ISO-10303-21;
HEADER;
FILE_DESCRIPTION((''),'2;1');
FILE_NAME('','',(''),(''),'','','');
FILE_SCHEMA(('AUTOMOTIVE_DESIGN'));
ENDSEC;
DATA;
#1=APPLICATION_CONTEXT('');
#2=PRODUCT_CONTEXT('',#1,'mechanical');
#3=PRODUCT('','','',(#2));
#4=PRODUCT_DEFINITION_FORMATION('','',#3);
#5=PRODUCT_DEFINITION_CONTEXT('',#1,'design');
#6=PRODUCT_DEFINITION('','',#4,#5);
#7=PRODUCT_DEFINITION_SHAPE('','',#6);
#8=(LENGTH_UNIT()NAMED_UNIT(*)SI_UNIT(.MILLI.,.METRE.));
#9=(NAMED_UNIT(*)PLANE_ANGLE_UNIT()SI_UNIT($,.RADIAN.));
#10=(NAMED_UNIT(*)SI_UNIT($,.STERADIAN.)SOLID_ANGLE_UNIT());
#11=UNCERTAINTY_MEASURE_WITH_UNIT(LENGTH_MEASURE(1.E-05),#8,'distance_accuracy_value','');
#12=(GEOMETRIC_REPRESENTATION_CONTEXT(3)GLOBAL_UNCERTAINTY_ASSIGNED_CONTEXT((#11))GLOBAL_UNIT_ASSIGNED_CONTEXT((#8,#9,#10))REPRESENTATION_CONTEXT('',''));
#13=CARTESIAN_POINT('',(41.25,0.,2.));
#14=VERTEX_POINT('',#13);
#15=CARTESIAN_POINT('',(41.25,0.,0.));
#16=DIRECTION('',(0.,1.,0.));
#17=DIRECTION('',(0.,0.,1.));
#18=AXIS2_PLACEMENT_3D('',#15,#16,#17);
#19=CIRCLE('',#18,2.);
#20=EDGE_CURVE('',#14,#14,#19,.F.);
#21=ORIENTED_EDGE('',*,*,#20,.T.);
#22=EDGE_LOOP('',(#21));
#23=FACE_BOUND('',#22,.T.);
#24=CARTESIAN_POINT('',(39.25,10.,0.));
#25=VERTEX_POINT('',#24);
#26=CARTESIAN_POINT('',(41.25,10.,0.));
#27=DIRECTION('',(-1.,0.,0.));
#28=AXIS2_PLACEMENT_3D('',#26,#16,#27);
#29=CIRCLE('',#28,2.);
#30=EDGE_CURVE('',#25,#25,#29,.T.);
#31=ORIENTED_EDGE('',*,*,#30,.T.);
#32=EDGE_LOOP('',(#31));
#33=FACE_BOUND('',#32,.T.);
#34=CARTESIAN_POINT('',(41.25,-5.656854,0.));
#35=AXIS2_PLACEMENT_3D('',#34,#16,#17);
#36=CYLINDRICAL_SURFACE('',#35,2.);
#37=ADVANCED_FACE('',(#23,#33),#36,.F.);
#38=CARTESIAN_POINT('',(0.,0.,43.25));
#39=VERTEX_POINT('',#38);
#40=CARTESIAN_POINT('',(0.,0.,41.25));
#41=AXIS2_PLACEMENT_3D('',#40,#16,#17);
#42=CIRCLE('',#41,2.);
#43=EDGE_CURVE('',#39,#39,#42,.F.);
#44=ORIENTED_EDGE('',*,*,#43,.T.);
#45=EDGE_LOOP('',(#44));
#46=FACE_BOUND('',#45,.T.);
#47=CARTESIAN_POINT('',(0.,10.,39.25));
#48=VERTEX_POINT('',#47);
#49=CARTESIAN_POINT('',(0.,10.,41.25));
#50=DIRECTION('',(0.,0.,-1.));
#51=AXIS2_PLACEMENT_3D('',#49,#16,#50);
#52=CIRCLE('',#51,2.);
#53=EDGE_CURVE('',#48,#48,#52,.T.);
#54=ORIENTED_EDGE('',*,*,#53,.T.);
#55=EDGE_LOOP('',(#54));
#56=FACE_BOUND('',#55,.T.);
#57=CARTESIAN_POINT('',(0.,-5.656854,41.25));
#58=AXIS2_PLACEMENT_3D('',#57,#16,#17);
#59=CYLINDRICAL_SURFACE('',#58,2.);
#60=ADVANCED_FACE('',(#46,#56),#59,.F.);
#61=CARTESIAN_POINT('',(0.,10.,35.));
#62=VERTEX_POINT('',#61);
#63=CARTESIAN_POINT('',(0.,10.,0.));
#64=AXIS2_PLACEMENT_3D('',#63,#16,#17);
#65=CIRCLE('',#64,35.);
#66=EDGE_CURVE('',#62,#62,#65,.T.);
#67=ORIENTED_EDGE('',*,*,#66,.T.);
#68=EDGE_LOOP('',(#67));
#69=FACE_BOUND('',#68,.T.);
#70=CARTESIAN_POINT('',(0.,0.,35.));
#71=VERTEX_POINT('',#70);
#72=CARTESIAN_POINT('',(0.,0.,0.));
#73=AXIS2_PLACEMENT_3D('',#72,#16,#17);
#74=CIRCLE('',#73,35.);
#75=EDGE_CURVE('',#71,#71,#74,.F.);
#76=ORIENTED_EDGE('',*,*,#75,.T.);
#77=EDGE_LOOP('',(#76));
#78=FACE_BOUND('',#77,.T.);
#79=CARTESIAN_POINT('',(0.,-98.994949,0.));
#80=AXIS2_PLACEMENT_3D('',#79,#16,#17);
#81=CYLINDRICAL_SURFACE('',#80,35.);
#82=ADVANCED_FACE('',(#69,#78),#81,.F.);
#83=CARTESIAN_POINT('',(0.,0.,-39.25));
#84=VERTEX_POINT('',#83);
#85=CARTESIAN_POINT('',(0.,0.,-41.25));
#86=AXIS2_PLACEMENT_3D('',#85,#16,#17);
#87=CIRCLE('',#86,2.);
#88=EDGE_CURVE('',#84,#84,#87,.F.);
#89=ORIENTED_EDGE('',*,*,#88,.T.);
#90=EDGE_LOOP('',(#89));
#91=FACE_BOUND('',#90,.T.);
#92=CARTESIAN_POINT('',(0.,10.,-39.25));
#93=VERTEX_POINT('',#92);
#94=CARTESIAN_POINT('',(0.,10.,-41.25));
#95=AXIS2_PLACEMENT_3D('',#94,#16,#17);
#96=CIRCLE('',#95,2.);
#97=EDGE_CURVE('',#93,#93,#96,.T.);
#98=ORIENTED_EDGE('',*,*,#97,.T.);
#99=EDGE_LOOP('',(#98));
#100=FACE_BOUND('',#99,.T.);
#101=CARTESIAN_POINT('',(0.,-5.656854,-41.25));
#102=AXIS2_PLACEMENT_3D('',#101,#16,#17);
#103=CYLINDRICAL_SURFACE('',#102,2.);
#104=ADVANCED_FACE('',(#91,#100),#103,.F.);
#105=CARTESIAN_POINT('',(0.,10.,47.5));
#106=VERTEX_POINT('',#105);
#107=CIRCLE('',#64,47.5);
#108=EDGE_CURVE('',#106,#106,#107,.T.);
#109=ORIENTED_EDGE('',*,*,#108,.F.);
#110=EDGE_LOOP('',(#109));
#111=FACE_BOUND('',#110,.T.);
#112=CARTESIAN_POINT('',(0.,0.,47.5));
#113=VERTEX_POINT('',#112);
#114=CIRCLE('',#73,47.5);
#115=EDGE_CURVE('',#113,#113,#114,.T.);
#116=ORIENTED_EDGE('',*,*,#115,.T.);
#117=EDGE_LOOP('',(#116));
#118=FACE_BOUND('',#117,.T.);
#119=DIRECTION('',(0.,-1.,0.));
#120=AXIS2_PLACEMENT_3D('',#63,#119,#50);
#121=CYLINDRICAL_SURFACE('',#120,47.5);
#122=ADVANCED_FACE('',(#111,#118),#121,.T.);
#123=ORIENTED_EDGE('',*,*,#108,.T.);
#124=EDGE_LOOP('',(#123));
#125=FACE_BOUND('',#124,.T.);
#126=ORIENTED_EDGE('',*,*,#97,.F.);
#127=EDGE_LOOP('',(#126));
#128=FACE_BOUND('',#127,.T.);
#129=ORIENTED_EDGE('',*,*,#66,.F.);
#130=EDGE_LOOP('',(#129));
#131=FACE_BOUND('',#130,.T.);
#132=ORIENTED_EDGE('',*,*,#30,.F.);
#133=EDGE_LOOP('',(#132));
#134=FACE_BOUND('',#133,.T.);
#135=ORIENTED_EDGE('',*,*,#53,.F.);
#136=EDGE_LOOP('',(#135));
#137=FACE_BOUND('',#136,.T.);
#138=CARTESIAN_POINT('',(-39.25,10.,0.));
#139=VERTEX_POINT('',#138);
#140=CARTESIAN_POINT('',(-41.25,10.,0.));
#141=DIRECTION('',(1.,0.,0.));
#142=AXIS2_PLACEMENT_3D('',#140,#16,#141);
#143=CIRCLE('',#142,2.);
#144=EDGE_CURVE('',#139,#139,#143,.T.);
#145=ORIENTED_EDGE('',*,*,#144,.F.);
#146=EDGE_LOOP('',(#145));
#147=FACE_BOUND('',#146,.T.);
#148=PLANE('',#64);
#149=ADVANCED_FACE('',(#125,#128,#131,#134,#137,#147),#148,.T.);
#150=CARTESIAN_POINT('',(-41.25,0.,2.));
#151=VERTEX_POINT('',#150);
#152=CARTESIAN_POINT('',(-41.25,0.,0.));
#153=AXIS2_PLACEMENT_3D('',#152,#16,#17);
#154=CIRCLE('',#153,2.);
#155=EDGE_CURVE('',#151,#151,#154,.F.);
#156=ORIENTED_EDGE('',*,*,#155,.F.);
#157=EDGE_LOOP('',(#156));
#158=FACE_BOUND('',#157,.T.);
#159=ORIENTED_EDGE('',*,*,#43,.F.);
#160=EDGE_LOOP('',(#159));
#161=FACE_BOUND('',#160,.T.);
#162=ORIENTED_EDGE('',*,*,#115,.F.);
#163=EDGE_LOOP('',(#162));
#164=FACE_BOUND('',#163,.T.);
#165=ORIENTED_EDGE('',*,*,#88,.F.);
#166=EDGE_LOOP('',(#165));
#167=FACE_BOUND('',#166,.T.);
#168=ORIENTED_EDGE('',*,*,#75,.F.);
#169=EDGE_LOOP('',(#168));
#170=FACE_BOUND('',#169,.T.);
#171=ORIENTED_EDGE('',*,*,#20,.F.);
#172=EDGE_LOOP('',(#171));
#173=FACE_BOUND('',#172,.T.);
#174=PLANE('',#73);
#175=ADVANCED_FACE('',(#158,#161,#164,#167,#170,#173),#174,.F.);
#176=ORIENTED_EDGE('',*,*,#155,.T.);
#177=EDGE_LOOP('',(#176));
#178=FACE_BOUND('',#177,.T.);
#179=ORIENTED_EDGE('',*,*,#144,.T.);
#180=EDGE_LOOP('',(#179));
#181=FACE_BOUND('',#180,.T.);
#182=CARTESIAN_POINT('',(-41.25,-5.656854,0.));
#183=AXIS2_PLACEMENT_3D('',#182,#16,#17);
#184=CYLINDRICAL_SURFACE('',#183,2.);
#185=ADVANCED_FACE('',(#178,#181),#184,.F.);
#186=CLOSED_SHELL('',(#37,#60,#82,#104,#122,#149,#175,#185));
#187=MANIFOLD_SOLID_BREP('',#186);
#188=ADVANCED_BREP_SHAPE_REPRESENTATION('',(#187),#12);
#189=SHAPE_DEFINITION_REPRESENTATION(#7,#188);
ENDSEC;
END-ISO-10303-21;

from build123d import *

# Parameters (mm, degrees)
SKETCH1_R           = 47.5
BOSS_EXTRUDE1_DEPTH = 10
SKETCH2_R           = 35
CUT_EXTRUDE1_DEPTH  = 10
SKETCH3_R           = 2
CUT_EXTRUDE2_DEPTH  = 10
CIRPATTERN1_COUNT   = 4


with BuildPart() as part:
    # Sketch1 → Boss-Extrude1 (new body)
    with BuildSketch(Plane(origin=(0, 0, 0), x_dir=(1, 0, 0), z_dir=(0, 1, 0))):
        with Locations(Location((0, 0, 0), (0, 0, 270))):
            Circle(SKETCH1_R)
    extrude(amount=BOSS_EXTRUDE1_DEPTH)

    # Sketch2 → Cut-Extrude1 (cut)
    with BuildSketch(Plane(origin=(0, 10, 0), x_dir=(1, 0, 0), z_dir=(0, 1, 0))):
        with Locations(Location((0, 0, 0), (0, 0, 270))):
            Circle(SKETCH2_R)
    extrude(amount=-CUT_EXTRUDE1_DEPTH, mode=Mode.SUBTRACT)

    # Sketch3 → Cut-Extrude2 (cut)
    with BuildSketch(Plane(origin=(0, 10, 0), x_dir=(1, 0, 0), z_dir=(0, 1, 0))):
        with Locations(Location((0, 41.25, 0), (0, 0, 270))):
            Circle(SKETCH3_R)
    cut_extrude2 = extrude(amount=-CUT_EXTRUDE2_DEPTH, mode=Mode.SUBTRACT)

    # CirPattern1: Cut-Extrude2 ×4 about axis
    cirpattern1_axis = Axis((0, 0, 0), (0, 1, 0))
    for i in range(1, CIRPATTERN1_COUNT):
        add(cut_extrude2.rotate(cirpattern1_axis, i * 360 / CIRPATTERN1_COUNT), mode=Mode.SUBTRACT)


solid = part.part
